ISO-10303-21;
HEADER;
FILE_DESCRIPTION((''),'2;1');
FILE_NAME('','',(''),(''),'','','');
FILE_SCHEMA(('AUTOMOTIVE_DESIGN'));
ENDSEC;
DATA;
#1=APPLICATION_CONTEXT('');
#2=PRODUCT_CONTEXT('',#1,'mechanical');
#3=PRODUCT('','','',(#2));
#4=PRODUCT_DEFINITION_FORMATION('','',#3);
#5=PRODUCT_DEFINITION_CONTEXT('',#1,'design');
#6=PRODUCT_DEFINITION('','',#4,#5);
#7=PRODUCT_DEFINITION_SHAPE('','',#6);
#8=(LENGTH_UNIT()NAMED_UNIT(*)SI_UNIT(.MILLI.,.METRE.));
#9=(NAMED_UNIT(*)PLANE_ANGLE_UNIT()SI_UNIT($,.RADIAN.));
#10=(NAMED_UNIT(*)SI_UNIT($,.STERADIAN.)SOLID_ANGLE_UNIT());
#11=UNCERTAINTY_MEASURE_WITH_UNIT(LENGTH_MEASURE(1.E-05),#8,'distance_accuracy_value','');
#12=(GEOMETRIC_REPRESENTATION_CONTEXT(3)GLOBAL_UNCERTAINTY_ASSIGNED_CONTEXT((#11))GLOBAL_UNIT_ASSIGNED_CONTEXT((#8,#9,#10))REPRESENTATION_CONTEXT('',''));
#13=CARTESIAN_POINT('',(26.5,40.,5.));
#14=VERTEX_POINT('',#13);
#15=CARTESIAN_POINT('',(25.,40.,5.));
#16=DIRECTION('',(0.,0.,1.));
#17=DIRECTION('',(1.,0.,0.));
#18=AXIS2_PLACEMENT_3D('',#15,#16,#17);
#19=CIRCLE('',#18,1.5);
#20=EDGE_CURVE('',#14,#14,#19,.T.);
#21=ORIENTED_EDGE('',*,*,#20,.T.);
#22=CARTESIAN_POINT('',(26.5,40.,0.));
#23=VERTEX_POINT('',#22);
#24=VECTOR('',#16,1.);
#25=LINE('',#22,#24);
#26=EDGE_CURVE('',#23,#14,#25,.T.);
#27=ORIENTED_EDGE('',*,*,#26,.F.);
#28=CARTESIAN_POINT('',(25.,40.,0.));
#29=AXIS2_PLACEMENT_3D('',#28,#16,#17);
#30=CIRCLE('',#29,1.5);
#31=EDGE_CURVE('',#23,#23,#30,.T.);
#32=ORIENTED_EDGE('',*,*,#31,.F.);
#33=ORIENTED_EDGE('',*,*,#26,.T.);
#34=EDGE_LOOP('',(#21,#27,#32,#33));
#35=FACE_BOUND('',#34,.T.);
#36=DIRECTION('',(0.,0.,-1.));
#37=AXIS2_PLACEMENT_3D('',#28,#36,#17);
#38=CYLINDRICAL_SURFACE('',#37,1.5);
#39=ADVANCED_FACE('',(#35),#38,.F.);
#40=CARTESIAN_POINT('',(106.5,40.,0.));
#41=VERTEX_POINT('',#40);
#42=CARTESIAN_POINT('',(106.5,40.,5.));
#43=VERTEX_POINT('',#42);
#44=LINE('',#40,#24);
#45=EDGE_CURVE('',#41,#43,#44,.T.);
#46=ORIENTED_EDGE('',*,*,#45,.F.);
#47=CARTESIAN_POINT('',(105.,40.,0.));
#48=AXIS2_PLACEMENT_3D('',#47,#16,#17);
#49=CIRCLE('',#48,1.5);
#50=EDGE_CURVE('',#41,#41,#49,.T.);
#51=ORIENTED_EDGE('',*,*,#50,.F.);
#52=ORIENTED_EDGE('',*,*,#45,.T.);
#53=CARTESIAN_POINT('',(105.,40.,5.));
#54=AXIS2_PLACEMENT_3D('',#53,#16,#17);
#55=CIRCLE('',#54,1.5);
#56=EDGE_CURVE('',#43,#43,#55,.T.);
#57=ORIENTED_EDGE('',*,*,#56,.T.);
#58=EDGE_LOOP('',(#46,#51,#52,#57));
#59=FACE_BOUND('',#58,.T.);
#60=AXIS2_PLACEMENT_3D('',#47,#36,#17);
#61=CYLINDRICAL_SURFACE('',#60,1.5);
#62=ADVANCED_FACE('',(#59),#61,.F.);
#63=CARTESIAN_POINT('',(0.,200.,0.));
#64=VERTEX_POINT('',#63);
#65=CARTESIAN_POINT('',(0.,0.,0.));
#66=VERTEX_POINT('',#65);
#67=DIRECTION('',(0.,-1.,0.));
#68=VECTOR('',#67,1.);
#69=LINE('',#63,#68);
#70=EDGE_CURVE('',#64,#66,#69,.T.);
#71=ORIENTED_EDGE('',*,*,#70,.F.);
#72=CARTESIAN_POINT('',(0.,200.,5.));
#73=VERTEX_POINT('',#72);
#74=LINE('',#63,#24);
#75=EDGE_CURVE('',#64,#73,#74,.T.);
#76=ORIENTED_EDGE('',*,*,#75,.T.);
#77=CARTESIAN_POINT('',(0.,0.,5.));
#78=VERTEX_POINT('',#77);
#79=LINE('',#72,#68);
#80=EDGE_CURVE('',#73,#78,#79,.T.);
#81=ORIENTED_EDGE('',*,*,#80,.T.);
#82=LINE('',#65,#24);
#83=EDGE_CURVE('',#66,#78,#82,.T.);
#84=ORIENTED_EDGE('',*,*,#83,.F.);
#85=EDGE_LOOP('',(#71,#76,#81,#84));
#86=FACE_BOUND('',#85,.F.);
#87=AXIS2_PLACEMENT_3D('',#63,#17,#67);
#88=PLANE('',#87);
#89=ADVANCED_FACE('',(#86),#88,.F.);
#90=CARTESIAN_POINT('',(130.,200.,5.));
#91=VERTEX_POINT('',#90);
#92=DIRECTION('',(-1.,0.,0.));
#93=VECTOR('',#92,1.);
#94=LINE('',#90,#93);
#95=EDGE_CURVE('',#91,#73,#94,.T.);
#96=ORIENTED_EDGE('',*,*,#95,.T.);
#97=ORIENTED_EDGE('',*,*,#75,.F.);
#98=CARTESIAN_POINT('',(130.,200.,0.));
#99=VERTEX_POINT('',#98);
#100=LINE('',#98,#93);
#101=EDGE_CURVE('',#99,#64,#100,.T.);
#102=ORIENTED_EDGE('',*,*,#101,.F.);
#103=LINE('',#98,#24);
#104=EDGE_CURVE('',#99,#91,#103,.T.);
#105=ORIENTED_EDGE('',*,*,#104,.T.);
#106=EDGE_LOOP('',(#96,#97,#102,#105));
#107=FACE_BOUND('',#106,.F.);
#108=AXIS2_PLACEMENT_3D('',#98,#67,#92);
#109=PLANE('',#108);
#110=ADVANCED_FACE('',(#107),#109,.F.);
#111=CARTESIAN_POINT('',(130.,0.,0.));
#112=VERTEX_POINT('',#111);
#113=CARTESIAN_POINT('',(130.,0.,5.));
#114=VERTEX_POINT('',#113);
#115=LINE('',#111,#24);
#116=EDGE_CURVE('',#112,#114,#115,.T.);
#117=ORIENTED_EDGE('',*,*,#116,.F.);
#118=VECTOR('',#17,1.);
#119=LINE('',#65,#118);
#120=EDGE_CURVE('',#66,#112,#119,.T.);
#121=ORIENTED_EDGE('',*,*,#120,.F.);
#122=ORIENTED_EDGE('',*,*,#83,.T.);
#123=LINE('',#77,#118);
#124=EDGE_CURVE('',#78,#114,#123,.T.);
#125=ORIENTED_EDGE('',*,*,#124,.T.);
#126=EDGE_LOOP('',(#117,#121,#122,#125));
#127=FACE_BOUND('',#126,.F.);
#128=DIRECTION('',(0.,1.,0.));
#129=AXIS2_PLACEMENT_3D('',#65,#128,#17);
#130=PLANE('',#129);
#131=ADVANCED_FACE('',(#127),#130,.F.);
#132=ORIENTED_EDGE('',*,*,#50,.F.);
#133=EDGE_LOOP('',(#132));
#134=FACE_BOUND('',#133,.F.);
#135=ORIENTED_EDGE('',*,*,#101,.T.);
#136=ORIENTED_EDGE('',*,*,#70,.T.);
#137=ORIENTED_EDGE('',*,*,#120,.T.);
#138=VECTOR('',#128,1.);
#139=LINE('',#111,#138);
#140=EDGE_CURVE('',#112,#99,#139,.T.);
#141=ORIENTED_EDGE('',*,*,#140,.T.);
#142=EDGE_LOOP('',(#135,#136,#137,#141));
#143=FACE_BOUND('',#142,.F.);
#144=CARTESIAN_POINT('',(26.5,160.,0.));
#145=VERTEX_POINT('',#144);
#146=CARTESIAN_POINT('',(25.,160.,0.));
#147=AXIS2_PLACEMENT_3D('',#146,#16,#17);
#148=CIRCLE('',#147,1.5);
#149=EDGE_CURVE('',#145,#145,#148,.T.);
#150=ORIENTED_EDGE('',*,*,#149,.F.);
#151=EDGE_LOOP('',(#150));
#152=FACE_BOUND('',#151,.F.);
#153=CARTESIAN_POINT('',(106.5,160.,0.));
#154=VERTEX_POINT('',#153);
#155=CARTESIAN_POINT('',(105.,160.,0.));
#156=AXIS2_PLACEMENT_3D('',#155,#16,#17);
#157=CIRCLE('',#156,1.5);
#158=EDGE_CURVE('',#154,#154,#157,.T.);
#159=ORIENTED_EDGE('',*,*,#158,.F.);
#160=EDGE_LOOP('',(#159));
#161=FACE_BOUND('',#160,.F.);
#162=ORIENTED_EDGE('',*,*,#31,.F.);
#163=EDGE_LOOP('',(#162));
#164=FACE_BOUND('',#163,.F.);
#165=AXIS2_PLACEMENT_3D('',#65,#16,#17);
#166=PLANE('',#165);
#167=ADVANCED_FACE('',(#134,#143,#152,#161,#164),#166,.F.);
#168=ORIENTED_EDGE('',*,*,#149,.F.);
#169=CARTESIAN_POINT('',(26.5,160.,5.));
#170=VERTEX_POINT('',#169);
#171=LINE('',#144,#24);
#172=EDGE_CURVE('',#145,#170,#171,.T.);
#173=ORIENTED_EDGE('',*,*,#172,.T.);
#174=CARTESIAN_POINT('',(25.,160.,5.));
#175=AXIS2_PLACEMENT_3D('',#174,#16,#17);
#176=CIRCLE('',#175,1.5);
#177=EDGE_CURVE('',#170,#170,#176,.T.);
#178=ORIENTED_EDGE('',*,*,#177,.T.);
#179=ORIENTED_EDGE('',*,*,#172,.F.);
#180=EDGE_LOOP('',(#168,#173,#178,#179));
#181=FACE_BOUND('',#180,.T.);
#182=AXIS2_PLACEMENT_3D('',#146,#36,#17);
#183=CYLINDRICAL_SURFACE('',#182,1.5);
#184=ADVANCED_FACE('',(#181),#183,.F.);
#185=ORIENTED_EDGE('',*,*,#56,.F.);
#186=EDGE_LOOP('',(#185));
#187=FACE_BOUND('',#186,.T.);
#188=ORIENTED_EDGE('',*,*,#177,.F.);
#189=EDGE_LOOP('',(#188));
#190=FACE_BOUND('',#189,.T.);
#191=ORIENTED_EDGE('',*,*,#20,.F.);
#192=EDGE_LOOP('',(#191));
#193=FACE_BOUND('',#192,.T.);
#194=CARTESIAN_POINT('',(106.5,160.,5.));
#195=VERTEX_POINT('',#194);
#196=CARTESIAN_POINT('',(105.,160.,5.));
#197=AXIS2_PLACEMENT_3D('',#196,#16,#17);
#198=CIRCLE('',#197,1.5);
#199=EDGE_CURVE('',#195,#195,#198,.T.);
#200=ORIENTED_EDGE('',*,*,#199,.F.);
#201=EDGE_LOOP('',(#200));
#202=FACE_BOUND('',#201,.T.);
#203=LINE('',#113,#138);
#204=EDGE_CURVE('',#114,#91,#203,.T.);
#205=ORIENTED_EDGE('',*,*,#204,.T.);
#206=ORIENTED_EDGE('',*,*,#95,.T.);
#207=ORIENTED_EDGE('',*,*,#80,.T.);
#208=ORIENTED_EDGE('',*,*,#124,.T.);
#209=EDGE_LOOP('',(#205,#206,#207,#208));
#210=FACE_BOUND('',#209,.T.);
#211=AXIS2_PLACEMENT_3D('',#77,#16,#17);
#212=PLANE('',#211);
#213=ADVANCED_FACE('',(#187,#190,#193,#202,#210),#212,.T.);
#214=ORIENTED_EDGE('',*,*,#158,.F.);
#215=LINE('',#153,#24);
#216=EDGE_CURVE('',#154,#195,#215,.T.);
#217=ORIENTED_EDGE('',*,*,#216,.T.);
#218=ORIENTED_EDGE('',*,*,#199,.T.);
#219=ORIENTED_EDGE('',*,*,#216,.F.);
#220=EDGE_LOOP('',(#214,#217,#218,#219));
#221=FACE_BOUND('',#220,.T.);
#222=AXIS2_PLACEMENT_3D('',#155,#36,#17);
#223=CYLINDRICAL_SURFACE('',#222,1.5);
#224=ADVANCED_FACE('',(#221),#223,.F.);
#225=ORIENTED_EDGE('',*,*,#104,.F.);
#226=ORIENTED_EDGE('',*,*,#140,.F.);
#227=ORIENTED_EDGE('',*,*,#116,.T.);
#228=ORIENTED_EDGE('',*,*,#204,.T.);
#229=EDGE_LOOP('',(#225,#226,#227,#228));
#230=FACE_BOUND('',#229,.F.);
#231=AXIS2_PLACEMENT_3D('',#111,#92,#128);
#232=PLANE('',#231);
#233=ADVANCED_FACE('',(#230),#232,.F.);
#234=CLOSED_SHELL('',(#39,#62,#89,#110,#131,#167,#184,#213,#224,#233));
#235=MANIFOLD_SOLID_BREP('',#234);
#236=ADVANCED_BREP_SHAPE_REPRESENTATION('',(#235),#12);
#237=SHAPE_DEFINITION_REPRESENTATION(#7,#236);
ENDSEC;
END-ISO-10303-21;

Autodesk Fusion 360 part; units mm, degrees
sketch "Sketch1" plane through (0, 0, 0) normal (0, 0, 1) x (1, 0, 0)
  line L0 (0, 0) -> (130, 0)
  line L1 (130, 0) -> (130, 200)
  line L2 (130, 200) -> (0, 200)
  line L3 (0, 200) -> (0, 0)
  circle A0 centre (25, 160) radius 1.5
  circle A1 centre (105, 160) radius 1.5
  circle A2 centre (25, 40) radius 1.5
  circle A3 centre (105, 40) radius 1.5
  dimension "d1" = 130
  dimension "d2" = 200
  dimension "d11" = 3
  dimension "d12" = 3
  dimension "d13" = 3
  dimension "d14" = 3
extrude "Extrude1" add sketch "Sketch1" along normal blind 5
